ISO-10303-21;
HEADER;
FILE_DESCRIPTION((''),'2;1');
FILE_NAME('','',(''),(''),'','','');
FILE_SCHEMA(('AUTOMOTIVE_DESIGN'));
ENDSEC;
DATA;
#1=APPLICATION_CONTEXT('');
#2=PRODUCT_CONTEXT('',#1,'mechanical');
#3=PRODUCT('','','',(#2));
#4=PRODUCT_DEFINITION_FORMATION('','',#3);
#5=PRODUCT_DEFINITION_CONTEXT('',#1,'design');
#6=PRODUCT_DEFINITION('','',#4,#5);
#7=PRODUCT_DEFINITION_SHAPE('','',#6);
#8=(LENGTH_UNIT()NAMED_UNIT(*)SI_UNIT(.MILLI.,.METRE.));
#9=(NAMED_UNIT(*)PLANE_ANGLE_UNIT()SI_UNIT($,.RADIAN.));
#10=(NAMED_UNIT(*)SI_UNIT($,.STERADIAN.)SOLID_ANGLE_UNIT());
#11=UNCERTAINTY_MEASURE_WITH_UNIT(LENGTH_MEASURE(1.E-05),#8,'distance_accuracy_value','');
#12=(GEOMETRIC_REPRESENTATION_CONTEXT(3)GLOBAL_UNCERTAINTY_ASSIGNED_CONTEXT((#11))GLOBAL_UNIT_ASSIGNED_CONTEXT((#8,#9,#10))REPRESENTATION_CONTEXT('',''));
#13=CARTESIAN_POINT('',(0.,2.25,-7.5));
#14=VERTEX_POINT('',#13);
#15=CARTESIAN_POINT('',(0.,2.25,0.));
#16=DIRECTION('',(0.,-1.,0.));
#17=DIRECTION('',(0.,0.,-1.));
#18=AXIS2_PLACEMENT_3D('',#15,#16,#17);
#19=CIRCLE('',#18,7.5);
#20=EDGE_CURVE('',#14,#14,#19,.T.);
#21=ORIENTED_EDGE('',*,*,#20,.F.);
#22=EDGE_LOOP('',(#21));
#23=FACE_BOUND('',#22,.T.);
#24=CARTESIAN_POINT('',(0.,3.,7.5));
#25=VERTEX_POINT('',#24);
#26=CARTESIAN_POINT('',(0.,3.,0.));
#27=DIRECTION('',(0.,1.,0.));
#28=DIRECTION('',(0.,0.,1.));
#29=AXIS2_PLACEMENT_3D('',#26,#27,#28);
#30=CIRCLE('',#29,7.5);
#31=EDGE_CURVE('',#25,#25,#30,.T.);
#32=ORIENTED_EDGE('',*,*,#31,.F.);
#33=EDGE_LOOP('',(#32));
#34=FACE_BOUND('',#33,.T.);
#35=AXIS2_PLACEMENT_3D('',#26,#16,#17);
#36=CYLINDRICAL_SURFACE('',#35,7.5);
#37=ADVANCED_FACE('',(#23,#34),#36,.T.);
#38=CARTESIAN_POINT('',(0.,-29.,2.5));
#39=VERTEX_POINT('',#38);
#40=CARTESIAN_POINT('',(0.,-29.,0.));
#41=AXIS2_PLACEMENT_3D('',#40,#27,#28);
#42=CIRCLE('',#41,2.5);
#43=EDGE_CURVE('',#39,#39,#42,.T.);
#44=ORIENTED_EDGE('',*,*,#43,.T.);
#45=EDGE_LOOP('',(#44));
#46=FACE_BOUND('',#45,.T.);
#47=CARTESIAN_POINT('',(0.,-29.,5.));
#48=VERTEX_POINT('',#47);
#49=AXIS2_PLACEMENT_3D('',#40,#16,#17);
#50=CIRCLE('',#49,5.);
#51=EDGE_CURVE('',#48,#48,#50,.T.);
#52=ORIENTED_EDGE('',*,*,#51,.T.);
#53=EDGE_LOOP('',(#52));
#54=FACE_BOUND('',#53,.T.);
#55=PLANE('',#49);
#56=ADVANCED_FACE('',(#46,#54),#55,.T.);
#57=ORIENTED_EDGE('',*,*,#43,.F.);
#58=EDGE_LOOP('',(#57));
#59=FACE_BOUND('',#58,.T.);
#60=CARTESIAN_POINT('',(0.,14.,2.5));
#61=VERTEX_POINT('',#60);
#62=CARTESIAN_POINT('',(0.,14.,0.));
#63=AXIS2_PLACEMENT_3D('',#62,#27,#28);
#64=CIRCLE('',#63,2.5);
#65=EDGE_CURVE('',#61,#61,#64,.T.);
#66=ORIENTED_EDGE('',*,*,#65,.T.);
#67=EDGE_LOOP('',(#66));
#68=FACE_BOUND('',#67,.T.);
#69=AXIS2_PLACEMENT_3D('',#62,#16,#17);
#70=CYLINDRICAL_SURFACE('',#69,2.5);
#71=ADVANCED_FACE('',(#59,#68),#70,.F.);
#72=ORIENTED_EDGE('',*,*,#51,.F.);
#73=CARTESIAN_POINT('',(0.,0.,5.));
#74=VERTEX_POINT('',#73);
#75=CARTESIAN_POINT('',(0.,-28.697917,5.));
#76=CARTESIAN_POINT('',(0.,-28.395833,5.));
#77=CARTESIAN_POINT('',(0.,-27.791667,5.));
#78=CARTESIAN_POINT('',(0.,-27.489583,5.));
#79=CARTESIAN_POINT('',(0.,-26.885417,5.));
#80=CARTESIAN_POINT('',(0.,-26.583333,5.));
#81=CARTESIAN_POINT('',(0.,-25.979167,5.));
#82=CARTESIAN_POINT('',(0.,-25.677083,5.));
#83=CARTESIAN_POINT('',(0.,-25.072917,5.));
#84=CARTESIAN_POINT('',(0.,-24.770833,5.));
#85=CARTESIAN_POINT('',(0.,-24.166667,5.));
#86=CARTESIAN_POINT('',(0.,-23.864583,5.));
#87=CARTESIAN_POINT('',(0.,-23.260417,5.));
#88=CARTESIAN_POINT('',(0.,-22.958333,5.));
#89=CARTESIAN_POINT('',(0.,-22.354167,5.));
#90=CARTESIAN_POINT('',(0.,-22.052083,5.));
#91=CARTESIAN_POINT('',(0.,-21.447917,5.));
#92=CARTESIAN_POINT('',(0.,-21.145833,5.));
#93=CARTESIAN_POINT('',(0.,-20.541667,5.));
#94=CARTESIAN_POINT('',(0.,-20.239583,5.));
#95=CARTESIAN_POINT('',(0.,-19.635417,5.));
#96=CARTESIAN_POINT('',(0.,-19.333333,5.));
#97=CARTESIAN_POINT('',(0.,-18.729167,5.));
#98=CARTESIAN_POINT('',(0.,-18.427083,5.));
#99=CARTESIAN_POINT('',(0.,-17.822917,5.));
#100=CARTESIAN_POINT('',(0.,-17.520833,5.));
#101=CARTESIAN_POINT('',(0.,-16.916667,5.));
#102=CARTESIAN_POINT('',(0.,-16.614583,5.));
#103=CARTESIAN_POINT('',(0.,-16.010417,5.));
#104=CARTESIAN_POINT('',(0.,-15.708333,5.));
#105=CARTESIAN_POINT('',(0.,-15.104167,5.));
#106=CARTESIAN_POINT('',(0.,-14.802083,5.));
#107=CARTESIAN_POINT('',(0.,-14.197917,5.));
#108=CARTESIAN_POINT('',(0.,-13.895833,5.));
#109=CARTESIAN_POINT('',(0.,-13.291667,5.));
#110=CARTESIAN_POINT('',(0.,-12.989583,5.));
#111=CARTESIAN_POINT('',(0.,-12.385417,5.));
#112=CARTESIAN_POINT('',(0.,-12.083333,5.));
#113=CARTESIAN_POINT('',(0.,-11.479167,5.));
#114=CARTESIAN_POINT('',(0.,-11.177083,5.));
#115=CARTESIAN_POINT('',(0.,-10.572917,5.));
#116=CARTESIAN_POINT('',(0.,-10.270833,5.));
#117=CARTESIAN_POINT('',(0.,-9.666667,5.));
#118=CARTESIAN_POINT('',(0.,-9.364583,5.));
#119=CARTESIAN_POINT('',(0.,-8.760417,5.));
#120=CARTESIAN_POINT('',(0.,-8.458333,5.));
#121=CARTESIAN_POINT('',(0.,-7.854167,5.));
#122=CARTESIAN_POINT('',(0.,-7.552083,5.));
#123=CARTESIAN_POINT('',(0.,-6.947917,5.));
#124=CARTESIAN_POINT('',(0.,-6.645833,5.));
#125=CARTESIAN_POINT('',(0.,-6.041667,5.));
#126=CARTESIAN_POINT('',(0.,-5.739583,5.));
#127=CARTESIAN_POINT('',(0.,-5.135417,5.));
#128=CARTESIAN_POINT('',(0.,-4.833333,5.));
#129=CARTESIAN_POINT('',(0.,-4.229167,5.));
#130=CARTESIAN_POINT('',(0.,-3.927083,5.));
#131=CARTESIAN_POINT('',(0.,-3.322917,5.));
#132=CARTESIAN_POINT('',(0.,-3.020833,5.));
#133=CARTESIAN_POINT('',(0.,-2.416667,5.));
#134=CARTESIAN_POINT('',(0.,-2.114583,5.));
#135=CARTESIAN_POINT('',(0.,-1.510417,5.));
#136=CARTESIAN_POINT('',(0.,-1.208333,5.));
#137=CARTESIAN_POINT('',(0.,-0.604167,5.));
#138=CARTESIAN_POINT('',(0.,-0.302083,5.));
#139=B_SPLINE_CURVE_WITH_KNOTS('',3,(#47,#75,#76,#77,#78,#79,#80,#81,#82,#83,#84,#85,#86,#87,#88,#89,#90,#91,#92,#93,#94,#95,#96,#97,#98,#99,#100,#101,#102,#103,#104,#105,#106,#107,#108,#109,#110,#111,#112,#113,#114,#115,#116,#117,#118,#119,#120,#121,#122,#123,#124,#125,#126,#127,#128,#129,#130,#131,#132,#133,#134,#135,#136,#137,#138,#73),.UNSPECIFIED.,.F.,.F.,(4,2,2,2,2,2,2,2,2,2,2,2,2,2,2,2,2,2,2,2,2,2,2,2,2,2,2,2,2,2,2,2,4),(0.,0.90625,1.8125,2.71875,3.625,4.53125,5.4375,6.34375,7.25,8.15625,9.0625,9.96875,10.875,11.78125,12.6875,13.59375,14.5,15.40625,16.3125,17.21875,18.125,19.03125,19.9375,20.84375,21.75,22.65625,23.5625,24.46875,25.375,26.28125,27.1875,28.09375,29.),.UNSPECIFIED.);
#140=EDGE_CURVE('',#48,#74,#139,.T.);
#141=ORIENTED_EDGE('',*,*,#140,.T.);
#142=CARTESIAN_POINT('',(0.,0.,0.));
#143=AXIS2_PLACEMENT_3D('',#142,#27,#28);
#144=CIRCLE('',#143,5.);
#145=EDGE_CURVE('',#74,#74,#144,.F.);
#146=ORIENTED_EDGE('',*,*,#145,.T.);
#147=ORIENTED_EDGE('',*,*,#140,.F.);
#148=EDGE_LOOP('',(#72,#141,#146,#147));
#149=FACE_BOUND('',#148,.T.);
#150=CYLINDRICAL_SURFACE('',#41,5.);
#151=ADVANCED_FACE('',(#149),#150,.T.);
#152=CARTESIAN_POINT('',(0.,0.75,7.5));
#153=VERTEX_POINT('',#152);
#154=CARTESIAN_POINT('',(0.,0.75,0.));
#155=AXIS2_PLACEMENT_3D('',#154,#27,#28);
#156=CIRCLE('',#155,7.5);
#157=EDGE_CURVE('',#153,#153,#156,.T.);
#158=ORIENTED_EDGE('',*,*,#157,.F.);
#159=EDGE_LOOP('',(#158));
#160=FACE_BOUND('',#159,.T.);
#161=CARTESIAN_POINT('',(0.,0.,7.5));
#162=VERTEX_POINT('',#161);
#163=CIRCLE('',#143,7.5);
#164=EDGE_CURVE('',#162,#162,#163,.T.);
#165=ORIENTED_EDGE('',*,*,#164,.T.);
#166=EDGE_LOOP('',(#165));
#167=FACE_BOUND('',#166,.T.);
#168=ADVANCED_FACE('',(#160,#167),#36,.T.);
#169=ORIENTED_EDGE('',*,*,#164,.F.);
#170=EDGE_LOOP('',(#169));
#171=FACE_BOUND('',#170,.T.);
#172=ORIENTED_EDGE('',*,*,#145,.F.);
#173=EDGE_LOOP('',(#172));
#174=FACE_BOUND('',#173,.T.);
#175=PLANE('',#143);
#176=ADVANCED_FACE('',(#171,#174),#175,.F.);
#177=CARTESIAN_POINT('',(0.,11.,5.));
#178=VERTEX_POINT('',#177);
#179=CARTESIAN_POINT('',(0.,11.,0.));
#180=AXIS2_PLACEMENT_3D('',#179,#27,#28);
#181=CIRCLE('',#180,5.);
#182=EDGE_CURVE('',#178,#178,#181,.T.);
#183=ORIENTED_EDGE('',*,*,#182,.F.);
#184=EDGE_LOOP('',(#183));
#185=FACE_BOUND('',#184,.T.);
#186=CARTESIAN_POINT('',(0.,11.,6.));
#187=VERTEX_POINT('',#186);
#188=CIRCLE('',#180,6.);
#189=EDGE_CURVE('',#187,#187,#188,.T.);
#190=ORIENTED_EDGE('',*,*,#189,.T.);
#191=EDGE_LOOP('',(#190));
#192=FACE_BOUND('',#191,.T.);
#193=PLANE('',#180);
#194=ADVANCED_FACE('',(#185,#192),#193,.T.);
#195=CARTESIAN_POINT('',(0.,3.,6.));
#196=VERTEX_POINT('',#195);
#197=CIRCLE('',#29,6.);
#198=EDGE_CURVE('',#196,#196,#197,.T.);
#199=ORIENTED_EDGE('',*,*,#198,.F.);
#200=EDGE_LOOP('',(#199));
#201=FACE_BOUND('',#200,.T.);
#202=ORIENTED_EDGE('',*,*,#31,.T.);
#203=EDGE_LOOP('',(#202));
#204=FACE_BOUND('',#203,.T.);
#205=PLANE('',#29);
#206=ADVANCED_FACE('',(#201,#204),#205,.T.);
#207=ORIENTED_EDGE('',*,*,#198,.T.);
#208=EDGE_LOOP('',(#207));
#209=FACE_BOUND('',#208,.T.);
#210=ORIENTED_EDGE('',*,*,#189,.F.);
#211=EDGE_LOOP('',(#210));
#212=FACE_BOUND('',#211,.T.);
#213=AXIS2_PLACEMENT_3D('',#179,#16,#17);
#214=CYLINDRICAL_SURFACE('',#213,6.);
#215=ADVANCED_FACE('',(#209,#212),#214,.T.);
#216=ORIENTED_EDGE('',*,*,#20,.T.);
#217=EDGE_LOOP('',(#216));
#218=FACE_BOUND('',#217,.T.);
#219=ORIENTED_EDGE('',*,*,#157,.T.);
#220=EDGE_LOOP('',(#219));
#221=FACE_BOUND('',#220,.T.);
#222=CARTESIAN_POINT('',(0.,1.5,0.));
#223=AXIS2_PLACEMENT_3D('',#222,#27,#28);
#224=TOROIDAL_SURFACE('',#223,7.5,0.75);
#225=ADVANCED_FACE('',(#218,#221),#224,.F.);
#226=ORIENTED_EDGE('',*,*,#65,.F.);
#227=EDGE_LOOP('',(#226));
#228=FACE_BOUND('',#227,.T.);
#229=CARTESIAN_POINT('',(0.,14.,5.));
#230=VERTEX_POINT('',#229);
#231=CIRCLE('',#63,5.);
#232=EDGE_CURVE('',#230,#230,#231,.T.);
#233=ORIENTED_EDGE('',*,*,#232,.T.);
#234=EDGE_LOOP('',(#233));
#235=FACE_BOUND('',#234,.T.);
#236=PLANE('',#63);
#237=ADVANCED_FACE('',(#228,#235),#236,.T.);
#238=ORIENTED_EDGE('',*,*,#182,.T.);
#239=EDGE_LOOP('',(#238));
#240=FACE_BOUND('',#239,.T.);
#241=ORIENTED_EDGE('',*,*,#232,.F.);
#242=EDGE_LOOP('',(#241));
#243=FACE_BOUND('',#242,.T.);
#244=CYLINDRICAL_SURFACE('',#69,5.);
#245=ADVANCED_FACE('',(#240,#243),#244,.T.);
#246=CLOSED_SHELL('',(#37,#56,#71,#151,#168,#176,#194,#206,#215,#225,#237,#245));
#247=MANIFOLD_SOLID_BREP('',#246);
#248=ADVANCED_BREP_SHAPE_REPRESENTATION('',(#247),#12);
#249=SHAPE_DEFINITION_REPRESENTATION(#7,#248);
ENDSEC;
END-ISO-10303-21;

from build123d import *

# Parameters (mm, degrees)
CROQUIS1_R              = 7.5
SALIENTE_EXTRUIR1_DEPTH = 3
CROQUIS2_R              = 0.75
CROQUIS4_R              = 5
SALIENTE_EXTRUIR2_DEPTH = 29
CROQUIS5_R              = 6
SALIENTE_EXTRUIR3_DEPTH = 8
SALIENTE_EXTRUIR4_START = 3
CROQUIS6_R              = 5
SALIENTE_EXTRUIR4_DEPTH = 3
CROQUIS3_R              = 2.5
CORTAR_EXTRUIR1_DEPTH   = 45.288824776


with BuildPart() as part:
    # Croquis1 → Saliente-Extruir1 (new body)
    with BuildSketch(Plane(origin=(0, 0, 0), x_dir=(1, 0, 0), z_dir=(0, 1, 0))):
        with Locations(Location((0, 0, 0), (0, 0, 270))):
            Circle(CROQUIS1_R)
    extrude(amount=SALIENTE_EXTRUIR1_DEPTH)

    # Croquis2 → Cortar-Revolución1 (revolve, cut)
    with BuildSketch(Plane(origin=(0, 0, 0), x_dir=(0, 0, -1), z_dir=(1, 0, 0)), mode=Mode.PRIVATE) as cortar_revoluci_n1_sk:
        with Locations((7.5, 1.5)):
            Circle(CROQUIS2_R)
    revolve(cortar_revoluci_n1_sk.sketch.rotate(Axis((0, 3, 0), (0, -1, 0)), 180), axis=Axis((0, 3, 0), (0, -1, 0)), mode=Mode.SUBTRACT)

    # Croquis4 → Saliente-Extruir2 (add)
    with BuildSketch(Plane.XZ):
        with Locations(Location((0, 0, 0), (0, 0, 90))):
            Circle(CROQUIS4_R)
    extrude(amount=SALIENTE_EXTRUIR2_DEPTH)

    # Croquis5 → Saliente-Extruir3 (add)
    with BuildSketch(Plane(origin=(0, 3, 0), x_dir=(1, 0, 0), z_dir=(0, 1, 0))):
        with Locations(Location((0, 0, 0), (0, 0, 270))):
            Circle(CROQUIS5_R)
    extrude(amount=SALIENTE_EXTRUIR3_DEPTH)

    # Croquis6 → Saliente-Extruir4 (add)
    with BuildSketch(Plane(origin=(0, 11, 0), x_dir=(1, 0, 0), z_dir=(0, 1, 0)).offset(SALIENTE_EXTRUIR4_START)):
        with Locations(Location((0, 0, 0), (0, 0, 270))):
            Circle(CROQUIS6_R)
    extrude(amount=-SALIENTE_EXTRUIR4_DEPTH)

    # Croquis3 → Cortar-Extruir1 (cut, through all)
    with BuildSketch(Plane(origin=(0, -29, 0), x_dir=(1, 0, 0), z_dir=(0, 1, 0))):
        with Locations(Location((0, 0, 0), (0, 0, 270))):
            Circle(CROQUIS3_R)
    extrude(amount=CORTAR_EXTRUIR1_DEPTH, mode=Mode.SUBTRACT)


solid = part.part
